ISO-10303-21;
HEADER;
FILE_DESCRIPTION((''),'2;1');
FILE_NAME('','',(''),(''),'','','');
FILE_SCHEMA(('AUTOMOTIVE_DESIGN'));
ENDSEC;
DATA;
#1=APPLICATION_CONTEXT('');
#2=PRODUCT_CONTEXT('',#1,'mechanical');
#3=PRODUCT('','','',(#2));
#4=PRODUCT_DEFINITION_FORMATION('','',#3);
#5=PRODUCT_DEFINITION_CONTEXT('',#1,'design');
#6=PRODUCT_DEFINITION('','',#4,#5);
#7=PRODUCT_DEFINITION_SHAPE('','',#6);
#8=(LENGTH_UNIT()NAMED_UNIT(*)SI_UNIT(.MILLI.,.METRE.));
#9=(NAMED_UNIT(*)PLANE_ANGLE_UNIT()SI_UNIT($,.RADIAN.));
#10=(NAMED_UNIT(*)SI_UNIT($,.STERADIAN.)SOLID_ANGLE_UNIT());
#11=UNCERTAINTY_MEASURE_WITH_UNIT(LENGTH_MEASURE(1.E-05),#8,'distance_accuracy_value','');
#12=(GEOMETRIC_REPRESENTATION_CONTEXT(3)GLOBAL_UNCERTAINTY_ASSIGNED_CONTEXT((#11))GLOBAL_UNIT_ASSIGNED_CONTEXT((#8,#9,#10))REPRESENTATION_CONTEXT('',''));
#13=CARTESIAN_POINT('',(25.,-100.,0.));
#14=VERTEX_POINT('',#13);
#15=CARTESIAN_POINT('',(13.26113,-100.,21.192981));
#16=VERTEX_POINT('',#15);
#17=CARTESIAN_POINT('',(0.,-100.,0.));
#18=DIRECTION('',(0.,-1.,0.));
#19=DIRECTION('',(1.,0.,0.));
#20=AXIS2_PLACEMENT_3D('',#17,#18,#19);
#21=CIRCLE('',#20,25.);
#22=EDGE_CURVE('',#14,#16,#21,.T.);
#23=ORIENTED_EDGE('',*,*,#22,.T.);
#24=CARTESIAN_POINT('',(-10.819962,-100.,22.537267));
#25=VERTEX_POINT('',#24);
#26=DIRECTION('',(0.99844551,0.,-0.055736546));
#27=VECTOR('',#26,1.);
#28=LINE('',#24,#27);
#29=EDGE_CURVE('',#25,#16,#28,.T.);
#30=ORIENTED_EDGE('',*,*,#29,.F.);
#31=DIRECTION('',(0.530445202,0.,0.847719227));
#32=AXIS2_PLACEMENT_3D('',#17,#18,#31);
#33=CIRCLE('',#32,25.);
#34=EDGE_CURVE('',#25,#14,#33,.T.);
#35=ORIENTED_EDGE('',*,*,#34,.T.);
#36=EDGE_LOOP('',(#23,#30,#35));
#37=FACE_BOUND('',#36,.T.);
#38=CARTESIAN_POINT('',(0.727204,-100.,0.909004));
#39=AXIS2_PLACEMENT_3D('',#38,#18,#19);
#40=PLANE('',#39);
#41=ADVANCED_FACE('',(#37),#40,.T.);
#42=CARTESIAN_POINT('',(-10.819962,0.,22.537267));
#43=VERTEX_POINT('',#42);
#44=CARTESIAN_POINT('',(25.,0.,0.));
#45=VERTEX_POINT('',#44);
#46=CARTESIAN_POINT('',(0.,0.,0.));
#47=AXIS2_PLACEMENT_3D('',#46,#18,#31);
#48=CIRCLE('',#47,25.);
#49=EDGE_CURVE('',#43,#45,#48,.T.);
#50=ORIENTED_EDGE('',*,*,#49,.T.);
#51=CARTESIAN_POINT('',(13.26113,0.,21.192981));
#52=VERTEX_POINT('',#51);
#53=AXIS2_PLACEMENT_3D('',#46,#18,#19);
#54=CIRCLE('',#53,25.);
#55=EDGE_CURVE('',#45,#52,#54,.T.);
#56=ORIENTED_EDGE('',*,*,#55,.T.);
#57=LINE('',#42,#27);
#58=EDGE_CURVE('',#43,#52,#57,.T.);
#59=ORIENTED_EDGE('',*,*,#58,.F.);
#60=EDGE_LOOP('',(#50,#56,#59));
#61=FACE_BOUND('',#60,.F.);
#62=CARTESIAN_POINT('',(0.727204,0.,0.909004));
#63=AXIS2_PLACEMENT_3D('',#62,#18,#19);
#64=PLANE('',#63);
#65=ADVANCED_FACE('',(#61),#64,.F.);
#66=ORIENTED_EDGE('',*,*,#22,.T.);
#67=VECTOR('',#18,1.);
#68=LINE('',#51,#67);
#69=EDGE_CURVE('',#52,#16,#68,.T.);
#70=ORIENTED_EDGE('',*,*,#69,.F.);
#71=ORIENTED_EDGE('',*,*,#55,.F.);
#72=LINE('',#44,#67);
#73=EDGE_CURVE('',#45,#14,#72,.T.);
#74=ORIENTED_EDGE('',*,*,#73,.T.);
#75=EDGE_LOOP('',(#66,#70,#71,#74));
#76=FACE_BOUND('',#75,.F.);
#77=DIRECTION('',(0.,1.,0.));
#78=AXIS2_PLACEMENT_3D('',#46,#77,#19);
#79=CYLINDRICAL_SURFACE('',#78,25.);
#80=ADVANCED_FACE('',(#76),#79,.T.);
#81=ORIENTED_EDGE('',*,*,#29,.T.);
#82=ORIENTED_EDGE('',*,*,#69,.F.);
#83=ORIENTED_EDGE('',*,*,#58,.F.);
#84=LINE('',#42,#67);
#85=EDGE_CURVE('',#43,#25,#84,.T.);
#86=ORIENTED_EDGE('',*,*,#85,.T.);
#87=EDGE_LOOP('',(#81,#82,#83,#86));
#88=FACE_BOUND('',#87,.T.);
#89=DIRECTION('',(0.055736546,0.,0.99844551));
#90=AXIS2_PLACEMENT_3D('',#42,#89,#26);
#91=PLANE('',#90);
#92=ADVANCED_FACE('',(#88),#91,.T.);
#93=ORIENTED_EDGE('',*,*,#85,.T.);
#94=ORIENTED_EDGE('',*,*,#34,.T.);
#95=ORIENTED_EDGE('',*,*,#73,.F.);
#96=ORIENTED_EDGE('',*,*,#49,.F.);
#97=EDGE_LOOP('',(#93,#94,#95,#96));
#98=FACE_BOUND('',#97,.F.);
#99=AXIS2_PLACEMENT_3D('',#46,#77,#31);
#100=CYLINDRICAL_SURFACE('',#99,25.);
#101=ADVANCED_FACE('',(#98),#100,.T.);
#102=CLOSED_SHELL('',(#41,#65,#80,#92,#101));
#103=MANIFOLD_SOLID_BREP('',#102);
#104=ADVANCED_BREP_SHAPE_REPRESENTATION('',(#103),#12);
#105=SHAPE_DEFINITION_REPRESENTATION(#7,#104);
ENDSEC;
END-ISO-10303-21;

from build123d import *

# Parameters (mm, degrees)
F1_DEPTH = 100
F2_DEPTH = 100


with BuildPart() as f1:
    # F0 (on Front) → F1 (new body)
    with BuildSketch(Plane.XZ):
        with BuildLine():
            ThreePointArc((-10.8199622823, 22.5372672747), (-13.3135446622, -21.1600928289), (25, 0))
            ThreePointArc((25, 0), (21.869250686, 12.113458401), (13.2611300454, 21.1929806756))
            Line((13.2611300454, 21.1929806756), (0, 0))
            Line((0, 0), (-10.8199622823, 22.5372672747))
        make_face()
        with BuildLine():
            Line((-10.8199622823, 22.5372672747), (13.2611300454, 21.1929806756))
            ThreePointArc((13.2611300454, 21.1929806756), (1.3934136597, 24.961137762), (-10.8199622823, 22.5372672747))
        make_face()
        Polygon((0, 0), (13.2611300454, 21.1929806756), (-10.8199622823, 22.5372672747), align=None)
    extrude(amount=F1_DEPTH)

    # F0 (on Front) → F2 (cut)
    with BuildSketch(Plane.XZ):
        with BuildLine():
            Line((-10.8199622823, 22.5372672747), (13.2611300454, 21.1929806756))
            ThreePointArc((13.2611300454, 21.1929806756), (1.3934136597, 24.961137762), (-10.8199622823, 22.5372672747))
        make_face()
    extrude(amount=F2_DEPTH, mode=Mode.SUBTRACT)


solid = f1.part
